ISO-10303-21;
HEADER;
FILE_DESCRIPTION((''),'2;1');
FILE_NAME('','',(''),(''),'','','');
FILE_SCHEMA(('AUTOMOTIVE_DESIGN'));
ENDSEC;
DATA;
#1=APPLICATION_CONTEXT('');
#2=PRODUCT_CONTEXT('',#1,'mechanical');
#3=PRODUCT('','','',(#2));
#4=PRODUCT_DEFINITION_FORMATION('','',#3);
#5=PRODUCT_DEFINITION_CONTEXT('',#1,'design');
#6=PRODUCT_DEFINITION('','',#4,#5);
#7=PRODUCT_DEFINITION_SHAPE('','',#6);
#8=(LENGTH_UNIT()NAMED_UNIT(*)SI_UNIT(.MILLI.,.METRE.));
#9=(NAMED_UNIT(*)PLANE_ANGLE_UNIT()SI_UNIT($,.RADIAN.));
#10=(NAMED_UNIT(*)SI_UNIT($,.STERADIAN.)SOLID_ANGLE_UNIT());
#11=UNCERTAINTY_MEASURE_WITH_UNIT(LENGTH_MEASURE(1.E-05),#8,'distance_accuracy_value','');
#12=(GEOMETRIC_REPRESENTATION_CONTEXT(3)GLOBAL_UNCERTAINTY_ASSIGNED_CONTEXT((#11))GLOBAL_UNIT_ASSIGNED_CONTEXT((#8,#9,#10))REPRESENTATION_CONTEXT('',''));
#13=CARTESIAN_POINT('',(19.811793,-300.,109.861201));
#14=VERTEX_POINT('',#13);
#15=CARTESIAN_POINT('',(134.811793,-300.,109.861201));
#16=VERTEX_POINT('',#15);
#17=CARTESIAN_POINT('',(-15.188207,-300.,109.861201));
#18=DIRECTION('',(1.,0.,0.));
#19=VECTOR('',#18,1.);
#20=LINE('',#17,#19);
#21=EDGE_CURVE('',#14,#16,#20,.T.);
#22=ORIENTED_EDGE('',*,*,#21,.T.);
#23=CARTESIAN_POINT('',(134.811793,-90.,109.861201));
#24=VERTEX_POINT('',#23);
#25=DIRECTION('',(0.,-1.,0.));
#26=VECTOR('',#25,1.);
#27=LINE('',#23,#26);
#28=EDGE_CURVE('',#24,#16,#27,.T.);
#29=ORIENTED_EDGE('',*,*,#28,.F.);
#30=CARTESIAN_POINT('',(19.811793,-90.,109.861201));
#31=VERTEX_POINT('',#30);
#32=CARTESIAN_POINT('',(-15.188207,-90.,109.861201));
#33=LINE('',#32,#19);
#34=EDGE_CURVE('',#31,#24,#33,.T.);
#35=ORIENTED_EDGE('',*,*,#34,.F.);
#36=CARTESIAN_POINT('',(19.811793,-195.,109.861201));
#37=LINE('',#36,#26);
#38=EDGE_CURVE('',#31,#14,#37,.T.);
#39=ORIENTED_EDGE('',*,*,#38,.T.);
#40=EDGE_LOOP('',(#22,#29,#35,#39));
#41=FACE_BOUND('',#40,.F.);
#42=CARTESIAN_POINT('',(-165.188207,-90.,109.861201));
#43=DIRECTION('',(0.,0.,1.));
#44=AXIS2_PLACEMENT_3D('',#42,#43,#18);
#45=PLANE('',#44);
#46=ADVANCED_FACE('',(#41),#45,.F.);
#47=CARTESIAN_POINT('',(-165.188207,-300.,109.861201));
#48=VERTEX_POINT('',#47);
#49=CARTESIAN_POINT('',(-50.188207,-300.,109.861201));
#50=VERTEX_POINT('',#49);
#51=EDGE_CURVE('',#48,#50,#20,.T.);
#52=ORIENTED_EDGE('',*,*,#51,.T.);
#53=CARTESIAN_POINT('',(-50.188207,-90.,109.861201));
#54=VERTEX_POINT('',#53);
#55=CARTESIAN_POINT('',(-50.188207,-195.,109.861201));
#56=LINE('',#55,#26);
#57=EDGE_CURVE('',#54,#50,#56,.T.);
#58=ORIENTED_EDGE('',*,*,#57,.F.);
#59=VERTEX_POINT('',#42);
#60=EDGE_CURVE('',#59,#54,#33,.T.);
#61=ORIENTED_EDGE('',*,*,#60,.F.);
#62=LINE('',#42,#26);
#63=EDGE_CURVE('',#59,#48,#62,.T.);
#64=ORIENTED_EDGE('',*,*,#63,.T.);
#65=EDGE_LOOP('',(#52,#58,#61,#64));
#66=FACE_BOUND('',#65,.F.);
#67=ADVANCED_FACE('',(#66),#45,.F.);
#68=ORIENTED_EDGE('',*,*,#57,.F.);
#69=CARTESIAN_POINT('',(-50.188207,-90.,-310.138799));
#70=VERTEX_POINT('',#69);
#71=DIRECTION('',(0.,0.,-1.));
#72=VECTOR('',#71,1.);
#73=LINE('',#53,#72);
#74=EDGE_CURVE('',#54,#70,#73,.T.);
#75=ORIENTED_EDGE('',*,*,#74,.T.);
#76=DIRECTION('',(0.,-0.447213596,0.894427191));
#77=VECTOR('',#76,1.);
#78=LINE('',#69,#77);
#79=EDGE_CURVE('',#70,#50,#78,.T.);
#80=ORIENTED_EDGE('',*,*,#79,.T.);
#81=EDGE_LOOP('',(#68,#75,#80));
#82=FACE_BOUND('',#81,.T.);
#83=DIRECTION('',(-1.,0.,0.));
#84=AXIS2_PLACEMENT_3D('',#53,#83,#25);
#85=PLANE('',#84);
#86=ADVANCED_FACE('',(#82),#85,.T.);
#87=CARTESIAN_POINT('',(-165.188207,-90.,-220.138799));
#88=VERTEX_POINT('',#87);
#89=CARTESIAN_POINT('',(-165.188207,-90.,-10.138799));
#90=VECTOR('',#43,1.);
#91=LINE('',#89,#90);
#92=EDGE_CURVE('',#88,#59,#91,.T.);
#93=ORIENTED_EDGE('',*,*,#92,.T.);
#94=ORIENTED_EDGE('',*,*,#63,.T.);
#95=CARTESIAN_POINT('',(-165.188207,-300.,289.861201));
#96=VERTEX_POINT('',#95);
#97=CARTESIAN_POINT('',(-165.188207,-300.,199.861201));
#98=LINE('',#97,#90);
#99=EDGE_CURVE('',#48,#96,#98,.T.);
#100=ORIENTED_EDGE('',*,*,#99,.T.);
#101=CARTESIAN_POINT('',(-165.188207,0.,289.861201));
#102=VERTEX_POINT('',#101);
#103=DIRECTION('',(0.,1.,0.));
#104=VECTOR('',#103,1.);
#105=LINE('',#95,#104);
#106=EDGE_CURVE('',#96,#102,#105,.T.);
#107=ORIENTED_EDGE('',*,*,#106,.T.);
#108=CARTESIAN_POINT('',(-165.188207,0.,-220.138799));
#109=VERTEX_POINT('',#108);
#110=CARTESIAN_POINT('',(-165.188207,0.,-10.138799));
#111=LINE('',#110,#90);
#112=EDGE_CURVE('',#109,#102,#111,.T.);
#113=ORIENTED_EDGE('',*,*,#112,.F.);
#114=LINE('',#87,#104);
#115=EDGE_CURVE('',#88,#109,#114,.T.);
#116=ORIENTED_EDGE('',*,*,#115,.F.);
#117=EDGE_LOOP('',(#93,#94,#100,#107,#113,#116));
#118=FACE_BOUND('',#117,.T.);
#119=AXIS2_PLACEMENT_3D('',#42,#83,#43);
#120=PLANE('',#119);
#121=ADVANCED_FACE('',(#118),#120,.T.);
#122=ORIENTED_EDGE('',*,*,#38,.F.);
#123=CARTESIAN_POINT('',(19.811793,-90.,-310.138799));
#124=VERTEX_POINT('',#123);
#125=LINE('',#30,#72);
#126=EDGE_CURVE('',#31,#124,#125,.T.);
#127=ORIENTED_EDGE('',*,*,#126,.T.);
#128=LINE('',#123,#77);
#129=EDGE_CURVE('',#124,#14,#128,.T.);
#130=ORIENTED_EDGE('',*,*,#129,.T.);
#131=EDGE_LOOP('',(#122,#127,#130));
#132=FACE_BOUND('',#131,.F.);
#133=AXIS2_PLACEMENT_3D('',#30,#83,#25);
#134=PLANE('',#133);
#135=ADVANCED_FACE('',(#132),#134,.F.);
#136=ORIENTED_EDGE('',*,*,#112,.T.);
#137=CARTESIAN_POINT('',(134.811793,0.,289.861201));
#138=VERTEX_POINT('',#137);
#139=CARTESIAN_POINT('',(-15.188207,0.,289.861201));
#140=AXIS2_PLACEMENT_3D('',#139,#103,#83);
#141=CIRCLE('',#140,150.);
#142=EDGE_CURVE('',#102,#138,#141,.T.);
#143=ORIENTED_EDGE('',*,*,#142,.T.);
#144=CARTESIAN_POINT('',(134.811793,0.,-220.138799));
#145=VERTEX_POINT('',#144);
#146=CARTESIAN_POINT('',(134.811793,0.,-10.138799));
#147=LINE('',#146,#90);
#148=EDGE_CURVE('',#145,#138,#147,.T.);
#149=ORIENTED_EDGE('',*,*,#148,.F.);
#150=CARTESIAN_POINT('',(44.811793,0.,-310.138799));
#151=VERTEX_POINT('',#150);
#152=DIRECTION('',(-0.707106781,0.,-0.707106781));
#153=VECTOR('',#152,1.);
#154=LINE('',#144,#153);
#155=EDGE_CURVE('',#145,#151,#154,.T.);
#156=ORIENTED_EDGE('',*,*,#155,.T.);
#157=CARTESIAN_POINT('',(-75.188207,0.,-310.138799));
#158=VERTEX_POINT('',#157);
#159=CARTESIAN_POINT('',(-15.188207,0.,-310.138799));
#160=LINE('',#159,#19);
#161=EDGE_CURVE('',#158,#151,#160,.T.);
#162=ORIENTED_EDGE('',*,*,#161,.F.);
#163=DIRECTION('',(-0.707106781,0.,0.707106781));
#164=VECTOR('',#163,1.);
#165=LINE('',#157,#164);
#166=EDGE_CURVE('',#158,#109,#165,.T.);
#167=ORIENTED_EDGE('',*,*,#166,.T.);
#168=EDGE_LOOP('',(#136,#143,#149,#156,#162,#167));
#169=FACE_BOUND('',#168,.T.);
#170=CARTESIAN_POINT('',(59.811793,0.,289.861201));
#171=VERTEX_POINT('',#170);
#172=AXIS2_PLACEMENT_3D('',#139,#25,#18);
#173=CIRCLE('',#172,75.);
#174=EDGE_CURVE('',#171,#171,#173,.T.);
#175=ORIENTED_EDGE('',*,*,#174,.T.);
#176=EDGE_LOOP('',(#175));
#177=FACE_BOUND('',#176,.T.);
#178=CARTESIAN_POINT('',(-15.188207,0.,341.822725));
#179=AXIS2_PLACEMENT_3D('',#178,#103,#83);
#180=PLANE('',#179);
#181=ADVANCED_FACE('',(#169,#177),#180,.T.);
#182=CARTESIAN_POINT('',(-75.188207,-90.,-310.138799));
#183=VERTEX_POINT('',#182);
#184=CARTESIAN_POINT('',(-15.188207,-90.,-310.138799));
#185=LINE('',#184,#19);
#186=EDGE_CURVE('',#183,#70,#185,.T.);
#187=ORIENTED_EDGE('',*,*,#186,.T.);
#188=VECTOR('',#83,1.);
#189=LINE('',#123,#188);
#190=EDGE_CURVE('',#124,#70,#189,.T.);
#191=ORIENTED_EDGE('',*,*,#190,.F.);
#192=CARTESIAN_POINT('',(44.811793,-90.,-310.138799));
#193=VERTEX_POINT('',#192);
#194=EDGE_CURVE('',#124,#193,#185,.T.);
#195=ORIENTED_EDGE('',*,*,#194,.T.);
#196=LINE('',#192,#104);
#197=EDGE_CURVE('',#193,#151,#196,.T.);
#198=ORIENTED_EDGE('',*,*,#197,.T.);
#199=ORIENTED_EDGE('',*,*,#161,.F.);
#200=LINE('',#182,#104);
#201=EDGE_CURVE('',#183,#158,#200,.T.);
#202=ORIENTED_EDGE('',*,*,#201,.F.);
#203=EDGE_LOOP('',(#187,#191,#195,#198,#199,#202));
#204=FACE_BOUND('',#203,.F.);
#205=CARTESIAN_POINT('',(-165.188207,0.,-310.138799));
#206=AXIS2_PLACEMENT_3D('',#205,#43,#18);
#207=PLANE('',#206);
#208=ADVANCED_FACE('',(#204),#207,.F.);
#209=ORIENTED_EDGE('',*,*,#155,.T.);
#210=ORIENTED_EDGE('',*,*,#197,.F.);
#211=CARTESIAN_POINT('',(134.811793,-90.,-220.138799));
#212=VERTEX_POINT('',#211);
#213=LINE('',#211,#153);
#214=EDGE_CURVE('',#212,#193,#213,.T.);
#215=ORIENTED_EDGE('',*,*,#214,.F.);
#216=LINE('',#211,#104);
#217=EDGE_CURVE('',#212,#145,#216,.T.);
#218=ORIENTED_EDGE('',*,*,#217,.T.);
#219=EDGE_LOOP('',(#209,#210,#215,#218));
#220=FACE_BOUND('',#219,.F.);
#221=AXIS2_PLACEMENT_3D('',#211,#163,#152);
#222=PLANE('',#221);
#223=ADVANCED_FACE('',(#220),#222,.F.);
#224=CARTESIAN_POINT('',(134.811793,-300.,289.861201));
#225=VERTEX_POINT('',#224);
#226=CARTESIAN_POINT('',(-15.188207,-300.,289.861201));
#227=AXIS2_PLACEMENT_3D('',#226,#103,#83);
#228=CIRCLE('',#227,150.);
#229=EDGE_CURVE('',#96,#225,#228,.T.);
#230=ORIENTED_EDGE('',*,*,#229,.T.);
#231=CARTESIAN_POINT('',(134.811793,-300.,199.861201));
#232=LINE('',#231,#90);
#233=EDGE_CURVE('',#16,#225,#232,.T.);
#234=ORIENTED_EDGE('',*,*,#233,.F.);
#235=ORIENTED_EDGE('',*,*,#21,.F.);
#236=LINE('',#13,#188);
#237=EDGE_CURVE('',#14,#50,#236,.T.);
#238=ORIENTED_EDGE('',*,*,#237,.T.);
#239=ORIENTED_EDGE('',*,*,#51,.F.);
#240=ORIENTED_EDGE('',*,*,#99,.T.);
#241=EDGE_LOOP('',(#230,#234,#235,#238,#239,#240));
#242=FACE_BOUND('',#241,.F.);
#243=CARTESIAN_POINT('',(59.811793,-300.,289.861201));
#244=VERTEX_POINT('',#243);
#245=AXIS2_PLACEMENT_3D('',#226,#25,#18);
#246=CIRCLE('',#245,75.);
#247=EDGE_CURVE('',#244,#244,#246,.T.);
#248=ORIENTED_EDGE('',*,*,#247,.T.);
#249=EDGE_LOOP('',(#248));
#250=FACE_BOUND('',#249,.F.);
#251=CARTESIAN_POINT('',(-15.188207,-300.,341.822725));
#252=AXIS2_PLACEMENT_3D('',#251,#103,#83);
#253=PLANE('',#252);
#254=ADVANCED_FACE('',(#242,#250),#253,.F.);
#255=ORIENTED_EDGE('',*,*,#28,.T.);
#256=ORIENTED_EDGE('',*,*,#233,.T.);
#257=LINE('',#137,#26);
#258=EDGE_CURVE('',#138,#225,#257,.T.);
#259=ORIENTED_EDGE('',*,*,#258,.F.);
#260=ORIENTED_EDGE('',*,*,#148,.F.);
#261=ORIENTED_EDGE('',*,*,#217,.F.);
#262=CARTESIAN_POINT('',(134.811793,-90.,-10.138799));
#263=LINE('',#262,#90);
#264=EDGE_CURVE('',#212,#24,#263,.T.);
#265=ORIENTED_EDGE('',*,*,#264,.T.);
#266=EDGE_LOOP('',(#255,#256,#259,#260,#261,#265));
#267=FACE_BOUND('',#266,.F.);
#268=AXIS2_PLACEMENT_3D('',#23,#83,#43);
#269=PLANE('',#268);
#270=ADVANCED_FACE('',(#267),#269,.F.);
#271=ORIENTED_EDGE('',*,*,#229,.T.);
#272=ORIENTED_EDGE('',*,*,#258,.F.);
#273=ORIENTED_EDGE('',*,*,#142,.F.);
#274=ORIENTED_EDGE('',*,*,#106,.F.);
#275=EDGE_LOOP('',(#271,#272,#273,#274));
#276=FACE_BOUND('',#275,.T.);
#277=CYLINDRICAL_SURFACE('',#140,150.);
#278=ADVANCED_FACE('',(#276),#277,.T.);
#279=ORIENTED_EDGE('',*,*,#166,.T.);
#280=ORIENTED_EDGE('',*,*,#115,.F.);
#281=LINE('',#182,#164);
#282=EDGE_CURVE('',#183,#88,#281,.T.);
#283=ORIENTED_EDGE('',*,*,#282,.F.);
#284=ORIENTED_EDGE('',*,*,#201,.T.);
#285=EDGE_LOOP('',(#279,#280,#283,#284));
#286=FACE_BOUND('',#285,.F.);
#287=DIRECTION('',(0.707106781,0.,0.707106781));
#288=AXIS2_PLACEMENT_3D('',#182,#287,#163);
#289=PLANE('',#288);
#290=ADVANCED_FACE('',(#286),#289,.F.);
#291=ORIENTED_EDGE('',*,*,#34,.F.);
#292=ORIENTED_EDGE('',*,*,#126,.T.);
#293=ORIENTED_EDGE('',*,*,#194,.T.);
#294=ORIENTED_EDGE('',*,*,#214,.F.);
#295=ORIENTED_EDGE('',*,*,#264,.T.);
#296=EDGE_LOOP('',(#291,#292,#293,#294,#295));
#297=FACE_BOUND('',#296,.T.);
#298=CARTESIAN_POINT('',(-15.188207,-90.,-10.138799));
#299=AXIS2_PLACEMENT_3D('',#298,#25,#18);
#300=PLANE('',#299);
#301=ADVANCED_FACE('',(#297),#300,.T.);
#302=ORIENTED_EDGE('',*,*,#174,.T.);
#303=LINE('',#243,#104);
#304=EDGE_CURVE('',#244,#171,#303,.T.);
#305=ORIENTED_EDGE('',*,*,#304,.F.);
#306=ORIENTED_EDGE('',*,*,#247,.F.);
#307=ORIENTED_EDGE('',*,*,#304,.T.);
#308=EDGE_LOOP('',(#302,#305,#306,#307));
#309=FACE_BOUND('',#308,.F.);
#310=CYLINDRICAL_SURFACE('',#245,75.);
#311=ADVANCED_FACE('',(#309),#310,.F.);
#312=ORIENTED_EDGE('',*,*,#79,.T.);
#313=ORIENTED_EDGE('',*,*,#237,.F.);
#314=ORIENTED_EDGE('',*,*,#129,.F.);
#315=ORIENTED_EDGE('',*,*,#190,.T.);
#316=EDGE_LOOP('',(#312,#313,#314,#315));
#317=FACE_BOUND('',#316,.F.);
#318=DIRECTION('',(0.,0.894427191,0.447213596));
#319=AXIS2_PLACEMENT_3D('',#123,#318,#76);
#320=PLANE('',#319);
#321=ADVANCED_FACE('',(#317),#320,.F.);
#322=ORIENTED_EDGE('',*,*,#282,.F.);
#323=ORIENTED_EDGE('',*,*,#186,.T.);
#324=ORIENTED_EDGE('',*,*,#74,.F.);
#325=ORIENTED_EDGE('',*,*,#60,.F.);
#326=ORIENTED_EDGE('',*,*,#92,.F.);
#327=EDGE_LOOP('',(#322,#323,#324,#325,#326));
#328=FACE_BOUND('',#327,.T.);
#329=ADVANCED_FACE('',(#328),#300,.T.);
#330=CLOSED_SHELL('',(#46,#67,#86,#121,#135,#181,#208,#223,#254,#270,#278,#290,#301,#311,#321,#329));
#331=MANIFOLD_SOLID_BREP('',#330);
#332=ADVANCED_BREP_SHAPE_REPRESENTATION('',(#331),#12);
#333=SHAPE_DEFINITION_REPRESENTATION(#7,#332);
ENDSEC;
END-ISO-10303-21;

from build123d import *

# Parameters (mm, degrees)
F0_W      = 300
F0_H      = 600
F1_DEPTH  = 90
F3_DEPTH  = 300
F4_W      = 300
F4_H      = 180
F5_DEPTH  = 210
F6_R      = 75
F7_DEPTH  = 300
F9_W      = 70
F9_H      = 210
F10_DEPTH = 420
F12_DEPTH = 70
F14_DEPTH = 90
F16_DEPTH = 90


with BuildPart() as f1:
    # F0 (on Front) → F1 (new body)
    with BuildSketch(Plane.XZ):
        with Locations((-15.188207, -10.138799)):
            Rectangle(F0_W, F0_H)
    extrude(amount=F1_DEPTH)


with BuildPart() as f3:
    # F2 (on face) → F3 (new body)
    with BuildSketch(Plane(origin=(0, 0, 0), x_dir=(-1, 0, 0), z_dir=(0, 1, 0))):
        with BuildLine():
            Line((-134.811793, 289.861201), (165.188207, 289.861201))
            ThreePointArc((165.188207, 289.861201), (15.188207, 439.861201), (-134.811793, 289.861201))
        make_face()
    extrude(amount=-F3_DEPTH)


with BuildPart() as f5:
    # F4 (on face) → F5 (new body)
    with BuildSketch(Plane.XZ.offset(90)):
        with Locations((-15.188207, 199.861201)):
            Rectangle(F4_W, F4_H)
    extrude(amount=F5_DEPTH)


with BuildPart() as f7_tool:
    # F6 (on face) → F7 (new body)
    with BuildSketch(Plane.XZ.offset(300)):
        with Locations((-15.188207, 289.861201)):
            Circle(F6_R)
    extrude(amount=-F7_DEPTH)


with BuildPart() as f1_1:
    add(f1.part)

    # F7: cut by f7_tool
    add(f7_tool.part, mode=Mode.SUBTRACT)


with BuildPart() as f3_1:
    add(f3.part)

    # F7: cut by f7_tool
    add(f7_tool.part, mode=Mode.SUBTRACT)


with BuildPart() as f5_1:
    add(f5.part)

    # F7: cut by f7_tool
    add(f7_tool.part, mode=Mode.SUBTRACT)


with BuildPart() as f1_2:
    add(f1_1.part)

    # F8: union F5, F3
    add(f5_1.part)
    add(f3_1.part)

    # F9 (on face) → F10 (join)
    with BuildSketch(Plane(origin=(0, 0, 109.861201), x_dir=(1, 0, 0), z_dir=(0, 0, -1))):
        with Locations((-15.188207, 195)):
            Rectangle(F9_W, F9_H)
    extrude(amount=F10_DEPTH)

    # F11 (on face) → F12 (cut)
    with BuildSketch(Plane.YZ.offset(19.811793)):
        Polygon((-300, -310.138799), (-90, -310.138799), (-300, 109.861201), align=None)
    extrude(amount=-F12_DEPTH, mode=Mode.SUBTRACT)

    # F13 (on face) → F14 (cut)
    with BuildSketch(Plane.XZ.offset(90)):
        Polygon((-75.188207, -310.138799), (-165.188207, -220.138799), (-165.188207, -310.138799), align=None)
    extrude(amount=-F14_DEPTH, mode=Mode.SUBTRACT)

    # F15 (on face) → F16 (cut)
    with BuildSketch(Plane.XZ.offset(90)):
        Polygon((44.811793, -310.138799), (134.811793, -310.138799), (134.811793, -220.138799), align=None)
    extrude(amount=-F16_DEPTH, mode=Mode.SUBTRACT)


solid = f1_2.part
